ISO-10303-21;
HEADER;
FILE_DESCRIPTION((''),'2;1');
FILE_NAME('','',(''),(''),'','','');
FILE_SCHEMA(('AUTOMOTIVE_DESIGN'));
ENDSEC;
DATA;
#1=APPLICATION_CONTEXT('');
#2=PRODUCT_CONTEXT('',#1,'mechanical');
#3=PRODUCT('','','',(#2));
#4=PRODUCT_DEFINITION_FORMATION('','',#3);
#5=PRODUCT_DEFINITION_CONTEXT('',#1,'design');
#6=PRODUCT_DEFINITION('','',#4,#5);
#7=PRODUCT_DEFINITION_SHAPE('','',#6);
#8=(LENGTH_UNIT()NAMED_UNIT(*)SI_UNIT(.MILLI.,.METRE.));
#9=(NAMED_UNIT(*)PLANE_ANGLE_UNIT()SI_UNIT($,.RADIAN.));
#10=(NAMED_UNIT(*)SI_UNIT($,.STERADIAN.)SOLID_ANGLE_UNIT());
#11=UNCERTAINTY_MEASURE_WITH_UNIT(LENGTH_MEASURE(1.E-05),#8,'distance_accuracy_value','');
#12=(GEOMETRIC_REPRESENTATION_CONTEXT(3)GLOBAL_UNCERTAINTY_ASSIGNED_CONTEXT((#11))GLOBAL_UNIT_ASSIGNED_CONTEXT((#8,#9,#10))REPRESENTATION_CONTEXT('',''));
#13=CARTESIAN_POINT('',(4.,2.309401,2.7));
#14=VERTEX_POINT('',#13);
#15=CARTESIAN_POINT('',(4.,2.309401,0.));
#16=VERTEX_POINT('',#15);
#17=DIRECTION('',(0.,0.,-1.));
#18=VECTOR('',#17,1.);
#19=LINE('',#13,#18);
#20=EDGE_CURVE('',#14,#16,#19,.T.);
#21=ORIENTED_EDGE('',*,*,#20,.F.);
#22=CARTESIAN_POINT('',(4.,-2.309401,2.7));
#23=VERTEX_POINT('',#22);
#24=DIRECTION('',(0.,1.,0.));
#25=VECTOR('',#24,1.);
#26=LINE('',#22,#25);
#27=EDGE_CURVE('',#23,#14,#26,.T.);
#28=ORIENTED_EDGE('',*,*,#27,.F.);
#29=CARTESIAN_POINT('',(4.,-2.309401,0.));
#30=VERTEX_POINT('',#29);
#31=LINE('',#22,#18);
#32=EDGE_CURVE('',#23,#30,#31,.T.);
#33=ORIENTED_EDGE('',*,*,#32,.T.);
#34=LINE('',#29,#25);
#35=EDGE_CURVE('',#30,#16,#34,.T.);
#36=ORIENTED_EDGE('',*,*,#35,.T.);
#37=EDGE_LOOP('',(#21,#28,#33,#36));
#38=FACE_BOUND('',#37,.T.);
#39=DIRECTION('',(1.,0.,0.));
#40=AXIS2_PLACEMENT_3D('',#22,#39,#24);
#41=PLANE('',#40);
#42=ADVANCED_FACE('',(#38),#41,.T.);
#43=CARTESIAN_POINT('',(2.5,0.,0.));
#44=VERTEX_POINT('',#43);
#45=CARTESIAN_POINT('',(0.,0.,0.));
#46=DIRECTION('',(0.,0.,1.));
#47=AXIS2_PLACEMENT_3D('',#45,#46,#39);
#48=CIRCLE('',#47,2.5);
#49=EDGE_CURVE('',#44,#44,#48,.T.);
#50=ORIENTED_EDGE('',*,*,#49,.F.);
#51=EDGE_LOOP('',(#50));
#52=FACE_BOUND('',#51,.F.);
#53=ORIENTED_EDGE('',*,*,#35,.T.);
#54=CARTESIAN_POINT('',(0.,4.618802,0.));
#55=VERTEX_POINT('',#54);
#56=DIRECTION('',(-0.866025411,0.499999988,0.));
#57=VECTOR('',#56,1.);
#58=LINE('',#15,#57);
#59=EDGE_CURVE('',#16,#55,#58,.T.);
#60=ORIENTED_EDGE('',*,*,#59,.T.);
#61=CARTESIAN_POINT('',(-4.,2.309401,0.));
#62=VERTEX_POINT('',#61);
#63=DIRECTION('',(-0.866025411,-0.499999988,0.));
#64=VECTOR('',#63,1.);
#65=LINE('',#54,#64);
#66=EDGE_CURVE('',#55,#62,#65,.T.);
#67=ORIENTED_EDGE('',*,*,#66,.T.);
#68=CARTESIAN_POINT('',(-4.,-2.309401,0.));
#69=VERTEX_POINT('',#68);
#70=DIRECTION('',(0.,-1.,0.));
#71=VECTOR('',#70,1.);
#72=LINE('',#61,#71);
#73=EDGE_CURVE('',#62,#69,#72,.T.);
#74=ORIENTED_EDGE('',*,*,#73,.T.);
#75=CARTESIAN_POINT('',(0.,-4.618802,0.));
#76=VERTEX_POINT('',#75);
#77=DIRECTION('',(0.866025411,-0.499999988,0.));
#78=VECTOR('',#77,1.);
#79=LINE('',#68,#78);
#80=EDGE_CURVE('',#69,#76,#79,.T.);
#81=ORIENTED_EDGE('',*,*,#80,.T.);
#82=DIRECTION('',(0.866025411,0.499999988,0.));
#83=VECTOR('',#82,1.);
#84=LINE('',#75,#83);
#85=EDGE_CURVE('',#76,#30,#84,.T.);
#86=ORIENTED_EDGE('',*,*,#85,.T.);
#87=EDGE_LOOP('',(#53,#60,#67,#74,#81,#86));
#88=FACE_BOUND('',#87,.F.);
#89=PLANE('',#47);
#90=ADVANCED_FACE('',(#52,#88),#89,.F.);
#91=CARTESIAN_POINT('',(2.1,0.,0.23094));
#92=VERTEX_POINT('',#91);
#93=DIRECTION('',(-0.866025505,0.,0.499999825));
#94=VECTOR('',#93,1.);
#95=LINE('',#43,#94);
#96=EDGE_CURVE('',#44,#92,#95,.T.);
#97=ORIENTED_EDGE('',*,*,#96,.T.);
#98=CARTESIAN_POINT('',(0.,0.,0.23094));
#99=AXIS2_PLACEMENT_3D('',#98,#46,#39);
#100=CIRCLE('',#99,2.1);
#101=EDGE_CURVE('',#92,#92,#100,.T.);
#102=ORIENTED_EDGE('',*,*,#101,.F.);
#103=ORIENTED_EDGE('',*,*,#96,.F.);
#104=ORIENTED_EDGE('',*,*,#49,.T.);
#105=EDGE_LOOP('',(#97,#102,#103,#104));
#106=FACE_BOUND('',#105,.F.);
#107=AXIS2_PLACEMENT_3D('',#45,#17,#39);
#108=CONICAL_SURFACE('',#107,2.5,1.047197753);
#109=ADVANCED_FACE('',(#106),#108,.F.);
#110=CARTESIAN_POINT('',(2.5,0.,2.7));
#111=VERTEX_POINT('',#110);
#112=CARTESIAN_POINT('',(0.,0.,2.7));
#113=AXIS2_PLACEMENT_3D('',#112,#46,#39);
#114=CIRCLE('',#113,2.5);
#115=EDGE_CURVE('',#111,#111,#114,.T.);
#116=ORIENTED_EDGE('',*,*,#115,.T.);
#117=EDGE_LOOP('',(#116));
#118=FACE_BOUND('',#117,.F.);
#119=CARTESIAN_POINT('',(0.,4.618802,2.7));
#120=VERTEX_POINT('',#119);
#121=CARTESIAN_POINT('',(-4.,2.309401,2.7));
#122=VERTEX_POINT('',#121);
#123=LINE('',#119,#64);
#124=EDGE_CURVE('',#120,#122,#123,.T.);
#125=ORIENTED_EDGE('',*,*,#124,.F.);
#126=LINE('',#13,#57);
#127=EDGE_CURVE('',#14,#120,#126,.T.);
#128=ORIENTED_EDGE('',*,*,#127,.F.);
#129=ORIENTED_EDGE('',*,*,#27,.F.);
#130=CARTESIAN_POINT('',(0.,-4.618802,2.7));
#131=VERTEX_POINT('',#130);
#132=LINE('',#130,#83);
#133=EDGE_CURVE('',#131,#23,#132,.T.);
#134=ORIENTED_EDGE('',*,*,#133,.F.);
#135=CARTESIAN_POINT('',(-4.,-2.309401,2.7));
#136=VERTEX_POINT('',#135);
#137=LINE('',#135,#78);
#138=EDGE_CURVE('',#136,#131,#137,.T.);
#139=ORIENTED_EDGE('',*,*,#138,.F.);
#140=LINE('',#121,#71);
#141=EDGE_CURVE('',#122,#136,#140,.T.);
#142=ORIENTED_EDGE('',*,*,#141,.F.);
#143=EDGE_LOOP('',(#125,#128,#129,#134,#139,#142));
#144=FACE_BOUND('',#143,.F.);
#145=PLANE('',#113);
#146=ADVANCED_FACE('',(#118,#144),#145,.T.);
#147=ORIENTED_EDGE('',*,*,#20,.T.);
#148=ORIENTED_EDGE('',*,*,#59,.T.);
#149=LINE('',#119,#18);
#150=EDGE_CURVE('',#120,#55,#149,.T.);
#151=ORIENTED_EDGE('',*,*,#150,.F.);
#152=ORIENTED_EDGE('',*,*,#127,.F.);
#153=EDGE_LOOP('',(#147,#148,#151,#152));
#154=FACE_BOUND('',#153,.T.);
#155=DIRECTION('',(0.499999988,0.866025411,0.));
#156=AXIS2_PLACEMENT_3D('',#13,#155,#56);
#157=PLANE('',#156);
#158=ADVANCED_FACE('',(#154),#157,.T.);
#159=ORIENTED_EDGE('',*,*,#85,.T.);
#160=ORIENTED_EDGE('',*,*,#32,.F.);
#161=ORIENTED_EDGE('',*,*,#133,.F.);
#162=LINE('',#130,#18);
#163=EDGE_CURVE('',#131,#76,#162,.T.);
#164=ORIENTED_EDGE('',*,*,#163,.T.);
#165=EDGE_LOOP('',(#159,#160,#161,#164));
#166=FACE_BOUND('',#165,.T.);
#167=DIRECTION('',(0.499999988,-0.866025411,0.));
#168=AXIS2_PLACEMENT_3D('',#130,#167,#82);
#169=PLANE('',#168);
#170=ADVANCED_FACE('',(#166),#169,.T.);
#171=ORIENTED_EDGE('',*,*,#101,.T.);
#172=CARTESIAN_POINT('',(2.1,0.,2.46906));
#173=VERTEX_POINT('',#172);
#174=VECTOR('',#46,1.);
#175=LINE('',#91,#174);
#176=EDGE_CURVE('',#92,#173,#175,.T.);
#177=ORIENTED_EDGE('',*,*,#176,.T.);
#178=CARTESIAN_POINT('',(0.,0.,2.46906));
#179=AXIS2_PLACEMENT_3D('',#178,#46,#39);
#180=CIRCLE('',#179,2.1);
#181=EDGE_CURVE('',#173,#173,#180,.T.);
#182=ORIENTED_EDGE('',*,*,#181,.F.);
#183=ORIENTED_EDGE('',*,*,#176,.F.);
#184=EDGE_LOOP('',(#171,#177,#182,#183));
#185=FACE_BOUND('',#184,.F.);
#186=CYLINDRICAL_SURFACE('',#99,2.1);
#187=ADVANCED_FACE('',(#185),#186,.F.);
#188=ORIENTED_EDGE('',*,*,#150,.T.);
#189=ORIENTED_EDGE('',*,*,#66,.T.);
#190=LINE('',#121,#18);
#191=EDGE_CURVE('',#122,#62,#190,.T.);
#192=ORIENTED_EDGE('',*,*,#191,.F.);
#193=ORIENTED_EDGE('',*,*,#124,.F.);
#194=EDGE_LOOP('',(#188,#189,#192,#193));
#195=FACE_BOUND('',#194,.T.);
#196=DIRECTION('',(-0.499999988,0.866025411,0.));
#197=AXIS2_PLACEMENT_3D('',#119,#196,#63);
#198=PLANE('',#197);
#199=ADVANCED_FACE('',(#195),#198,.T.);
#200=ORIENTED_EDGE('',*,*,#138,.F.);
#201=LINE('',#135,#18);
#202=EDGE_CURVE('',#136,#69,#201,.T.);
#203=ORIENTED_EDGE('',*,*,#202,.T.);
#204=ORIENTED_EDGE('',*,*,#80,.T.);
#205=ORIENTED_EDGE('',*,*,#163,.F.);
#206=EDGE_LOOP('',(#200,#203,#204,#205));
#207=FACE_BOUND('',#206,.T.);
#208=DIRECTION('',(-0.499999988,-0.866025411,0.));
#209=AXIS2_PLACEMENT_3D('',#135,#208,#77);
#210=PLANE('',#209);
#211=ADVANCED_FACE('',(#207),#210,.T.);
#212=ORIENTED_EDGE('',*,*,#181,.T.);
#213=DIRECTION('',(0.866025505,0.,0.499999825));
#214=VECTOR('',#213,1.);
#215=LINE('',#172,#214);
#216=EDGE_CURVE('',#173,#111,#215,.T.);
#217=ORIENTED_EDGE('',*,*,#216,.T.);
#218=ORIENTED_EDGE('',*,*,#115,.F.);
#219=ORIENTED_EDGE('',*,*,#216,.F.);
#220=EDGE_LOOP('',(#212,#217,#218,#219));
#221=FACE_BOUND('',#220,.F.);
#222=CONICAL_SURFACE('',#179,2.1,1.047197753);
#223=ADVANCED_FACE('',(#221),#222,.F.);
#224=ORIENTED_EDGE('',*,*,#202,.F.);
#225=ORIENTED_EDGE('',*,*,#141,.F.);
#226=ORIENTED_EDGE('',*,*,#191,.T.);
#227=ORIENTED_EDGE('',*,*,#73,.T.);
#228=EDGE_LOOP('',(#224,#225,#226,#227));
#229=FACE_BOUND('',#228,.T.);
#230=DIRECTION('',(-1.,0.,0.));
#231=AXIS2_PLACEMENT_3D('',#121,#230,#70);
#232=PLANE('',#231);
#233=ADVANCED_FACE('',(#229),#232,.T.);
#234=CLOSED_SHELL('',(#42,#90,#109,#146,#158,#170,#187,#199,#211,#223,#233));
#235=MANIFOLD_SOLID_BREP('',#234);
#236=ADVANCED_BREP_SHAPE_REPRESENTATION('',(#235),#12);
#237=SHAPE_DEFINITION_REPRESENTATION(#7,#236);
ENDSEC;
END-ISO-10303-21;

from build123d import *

# Parameters (mm, degrees)
SKETCH001_R  = 5
POCKET_DEPTH = 2.7


with BuildPart() as part:
    # Sketch → Revolution (revolve)
    with BuildSketch(Plane.XZ):
        Polygon((2.5, 0), (2.1, 0.23094), (2.1, 2.46906), (2.5, 2.7), (5, 2.7), (5, 0), align=None)
    revolve(axis=Axis((0, 0, 0), (0, 0, 1)))

    # Sketch001 → Pocket (cut)
    with BuildSketch(Plane(origin=(0, 0, 2.7), x_dir=(-1, 0, 0), z_dir=(0, 0, 1))):
        Circle(SKETCH001_R)
        Polygon((-4, 2.309401), (-4, -2.309401), (0, -4.618802), (4, -2.309401), (4, 2.309401), (0, 4.618802), align=None, mode=Mode.SUBTRACT)
    extrude(amount=-POCKET_DEPTH, mode=Mode.SUBTRACT)


solid = part.part
